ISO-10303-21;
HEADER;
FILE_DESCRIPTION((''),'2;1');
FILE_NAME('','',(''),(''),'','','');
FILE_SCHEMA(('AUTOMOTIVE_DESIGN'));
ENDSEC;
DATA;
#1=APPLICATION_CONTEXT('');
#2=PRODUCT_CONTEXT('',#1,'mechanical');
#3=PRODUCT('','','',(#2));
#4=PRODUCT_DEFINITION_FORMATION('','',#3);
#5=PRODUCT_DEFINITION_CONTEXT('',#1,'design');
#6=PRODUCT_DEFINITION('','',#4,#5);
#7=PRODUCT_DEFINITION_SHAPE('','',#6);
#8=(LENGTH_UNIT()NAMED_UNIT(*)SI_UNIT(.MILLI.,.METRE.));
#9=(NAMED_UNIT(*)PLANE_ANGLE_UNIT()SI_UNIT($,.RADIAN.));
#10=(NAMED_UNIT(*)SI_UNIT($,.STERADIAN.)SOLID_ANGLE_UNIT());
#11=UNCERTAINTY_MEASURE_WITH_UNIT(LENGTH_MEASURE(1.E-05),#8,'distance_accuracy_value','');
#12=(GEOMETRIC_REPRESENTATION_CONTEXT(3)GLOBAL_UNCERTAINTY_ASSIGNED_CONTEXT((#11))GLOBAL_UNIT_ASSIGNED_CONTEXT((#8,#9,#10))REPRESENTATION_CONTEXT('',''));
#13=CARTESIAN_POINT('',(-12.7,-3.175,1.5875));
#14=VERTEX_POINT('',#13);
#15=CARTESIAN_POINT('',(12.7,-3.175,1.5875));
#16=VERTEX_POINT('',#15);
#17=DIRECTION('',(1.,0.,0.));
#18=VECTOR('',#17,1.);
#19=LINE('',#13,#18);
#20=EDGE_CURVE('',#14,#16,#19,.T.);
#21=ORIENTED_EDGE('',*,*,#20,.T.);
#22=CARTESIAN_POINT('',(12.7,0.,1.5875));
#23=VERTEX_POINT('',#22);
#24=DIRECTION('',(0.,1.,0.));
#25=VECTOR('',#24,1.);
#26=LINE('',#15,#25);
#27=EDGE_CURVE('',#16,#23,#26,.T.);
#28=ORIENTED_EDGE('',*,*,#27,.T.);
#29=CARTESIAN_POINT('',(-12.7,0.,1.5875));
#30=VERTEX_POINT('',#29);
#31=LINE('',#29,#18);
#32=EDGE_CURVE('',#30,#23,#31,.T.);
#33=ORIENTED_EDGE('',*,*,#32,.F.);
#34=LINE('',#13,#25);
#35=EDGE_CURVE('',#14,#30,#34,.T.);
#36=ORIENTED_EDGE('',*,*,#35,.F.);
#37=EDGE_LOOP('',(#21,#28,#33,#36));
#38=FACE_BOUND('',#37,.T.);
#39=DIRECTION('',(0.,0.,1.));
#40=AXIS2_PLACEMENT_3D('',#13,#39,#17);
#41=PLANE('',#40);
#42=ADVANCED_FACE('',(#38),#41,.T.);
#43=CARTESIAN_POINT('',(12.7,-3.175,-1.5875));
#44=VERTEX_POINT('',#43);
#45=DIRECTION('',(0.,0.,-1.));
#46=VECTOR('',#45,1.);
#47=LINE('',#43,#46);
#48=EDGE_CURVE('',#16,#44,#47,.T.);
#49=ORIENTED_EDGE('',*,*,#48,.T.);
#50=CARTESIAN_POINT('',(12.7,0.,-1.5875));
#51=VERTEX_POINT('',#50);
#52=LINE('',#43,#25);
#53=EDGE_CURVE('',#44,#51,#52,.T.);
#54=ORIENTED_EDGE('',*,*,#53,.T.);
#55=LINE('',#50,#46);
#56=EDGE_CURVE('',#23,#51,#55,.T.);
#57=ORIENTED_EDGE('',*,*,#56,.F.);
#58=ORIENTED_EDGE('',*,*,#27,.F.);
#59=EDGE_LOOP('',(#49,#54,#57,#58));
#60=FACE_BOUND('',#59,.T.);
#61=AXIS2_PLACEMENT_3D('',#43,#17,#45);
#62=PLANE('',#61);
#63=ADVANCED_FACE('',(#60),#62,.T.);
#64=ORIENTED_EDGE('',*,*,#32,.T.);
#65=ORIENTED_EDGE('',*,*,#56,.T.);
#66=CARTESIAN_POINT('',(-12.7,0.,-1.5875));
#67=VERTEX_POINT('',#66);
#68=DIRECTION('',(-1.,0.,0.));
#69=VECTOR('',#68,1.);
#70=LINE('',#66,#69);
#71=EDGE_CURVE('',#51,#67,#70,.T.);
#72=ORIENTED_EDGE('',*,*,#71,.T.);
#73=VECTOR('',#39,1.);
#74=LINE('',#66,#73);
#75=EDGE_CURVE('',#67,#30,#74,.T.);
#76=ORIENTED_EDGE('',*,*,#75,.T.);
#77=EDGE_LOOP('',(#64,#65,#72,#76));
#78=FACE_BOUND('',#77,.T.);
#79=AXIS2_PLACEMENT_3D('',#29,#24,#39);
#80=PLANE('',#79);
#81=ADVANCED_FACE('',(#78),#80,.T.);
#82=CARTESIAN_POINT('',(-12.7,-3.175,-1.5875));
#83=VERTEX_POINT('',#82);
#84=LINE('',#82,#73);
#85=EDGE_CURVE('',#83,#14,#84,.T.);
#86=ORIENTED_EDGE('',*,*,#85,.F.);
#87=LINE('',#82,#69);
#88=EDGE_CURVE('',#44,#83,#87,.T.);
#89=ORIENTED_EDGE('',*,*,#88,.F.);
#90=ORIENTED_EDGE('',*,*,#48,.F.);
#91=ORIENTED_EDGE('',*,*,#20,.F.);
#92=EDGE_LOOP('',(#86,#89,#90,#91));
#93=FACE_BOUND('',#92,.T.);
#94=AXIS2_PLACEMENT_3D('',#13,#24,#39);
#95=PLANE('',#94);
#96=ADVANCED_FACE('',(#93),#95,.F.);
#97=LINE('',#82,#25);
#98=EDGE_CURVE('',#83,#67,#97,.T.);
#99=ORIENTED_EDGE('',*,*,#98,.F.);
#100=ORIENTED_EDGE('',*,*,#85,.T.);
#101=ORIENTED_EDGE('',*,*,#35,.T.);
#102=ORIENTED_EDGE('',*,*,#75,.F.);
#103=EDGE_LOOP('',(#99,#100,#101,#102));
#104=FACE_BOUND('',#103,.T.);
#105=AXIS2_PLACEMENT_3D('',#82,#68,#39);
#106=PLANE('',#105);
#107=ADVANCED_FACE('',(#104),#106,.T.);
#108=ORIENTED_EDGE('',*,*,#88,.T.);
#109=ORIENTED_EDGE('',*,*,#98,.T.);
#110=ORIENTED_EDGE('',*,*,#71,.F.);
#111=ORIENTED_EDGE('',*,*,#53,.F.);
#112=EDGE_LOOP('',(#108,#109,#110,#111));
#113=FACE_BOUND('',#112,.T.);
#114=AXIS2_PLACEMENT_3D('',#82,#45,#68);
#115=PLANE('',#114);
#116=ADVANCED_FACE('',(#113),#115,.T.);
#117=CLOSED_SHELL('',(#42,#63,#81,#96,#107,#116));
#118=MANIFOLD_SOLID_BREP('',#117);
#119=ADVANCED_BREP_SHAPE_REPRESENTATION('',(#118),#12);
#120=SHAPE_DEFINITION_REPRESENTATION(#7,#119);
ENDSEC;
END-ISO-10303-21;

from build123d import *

# Parameters (mm, degrees)
SKETCH1_W      = 25.4
SKETCH1_H      = 3.175
EXTRUDE1_DEPTH = 3.175


with BuildPart() as part:
    # Sketch1 → Extrude1 (new body)
    with BuildSketch(Plane(origin=(0, 0, 0), x_dir=(1, 0, 0), z_dir=(0, 1, 0))):
        Rectangle(SKETCH1_W, SKETCH1_H)
    extrude(amount=-EXTRUDE1_DEPTH)


solid = part.part
